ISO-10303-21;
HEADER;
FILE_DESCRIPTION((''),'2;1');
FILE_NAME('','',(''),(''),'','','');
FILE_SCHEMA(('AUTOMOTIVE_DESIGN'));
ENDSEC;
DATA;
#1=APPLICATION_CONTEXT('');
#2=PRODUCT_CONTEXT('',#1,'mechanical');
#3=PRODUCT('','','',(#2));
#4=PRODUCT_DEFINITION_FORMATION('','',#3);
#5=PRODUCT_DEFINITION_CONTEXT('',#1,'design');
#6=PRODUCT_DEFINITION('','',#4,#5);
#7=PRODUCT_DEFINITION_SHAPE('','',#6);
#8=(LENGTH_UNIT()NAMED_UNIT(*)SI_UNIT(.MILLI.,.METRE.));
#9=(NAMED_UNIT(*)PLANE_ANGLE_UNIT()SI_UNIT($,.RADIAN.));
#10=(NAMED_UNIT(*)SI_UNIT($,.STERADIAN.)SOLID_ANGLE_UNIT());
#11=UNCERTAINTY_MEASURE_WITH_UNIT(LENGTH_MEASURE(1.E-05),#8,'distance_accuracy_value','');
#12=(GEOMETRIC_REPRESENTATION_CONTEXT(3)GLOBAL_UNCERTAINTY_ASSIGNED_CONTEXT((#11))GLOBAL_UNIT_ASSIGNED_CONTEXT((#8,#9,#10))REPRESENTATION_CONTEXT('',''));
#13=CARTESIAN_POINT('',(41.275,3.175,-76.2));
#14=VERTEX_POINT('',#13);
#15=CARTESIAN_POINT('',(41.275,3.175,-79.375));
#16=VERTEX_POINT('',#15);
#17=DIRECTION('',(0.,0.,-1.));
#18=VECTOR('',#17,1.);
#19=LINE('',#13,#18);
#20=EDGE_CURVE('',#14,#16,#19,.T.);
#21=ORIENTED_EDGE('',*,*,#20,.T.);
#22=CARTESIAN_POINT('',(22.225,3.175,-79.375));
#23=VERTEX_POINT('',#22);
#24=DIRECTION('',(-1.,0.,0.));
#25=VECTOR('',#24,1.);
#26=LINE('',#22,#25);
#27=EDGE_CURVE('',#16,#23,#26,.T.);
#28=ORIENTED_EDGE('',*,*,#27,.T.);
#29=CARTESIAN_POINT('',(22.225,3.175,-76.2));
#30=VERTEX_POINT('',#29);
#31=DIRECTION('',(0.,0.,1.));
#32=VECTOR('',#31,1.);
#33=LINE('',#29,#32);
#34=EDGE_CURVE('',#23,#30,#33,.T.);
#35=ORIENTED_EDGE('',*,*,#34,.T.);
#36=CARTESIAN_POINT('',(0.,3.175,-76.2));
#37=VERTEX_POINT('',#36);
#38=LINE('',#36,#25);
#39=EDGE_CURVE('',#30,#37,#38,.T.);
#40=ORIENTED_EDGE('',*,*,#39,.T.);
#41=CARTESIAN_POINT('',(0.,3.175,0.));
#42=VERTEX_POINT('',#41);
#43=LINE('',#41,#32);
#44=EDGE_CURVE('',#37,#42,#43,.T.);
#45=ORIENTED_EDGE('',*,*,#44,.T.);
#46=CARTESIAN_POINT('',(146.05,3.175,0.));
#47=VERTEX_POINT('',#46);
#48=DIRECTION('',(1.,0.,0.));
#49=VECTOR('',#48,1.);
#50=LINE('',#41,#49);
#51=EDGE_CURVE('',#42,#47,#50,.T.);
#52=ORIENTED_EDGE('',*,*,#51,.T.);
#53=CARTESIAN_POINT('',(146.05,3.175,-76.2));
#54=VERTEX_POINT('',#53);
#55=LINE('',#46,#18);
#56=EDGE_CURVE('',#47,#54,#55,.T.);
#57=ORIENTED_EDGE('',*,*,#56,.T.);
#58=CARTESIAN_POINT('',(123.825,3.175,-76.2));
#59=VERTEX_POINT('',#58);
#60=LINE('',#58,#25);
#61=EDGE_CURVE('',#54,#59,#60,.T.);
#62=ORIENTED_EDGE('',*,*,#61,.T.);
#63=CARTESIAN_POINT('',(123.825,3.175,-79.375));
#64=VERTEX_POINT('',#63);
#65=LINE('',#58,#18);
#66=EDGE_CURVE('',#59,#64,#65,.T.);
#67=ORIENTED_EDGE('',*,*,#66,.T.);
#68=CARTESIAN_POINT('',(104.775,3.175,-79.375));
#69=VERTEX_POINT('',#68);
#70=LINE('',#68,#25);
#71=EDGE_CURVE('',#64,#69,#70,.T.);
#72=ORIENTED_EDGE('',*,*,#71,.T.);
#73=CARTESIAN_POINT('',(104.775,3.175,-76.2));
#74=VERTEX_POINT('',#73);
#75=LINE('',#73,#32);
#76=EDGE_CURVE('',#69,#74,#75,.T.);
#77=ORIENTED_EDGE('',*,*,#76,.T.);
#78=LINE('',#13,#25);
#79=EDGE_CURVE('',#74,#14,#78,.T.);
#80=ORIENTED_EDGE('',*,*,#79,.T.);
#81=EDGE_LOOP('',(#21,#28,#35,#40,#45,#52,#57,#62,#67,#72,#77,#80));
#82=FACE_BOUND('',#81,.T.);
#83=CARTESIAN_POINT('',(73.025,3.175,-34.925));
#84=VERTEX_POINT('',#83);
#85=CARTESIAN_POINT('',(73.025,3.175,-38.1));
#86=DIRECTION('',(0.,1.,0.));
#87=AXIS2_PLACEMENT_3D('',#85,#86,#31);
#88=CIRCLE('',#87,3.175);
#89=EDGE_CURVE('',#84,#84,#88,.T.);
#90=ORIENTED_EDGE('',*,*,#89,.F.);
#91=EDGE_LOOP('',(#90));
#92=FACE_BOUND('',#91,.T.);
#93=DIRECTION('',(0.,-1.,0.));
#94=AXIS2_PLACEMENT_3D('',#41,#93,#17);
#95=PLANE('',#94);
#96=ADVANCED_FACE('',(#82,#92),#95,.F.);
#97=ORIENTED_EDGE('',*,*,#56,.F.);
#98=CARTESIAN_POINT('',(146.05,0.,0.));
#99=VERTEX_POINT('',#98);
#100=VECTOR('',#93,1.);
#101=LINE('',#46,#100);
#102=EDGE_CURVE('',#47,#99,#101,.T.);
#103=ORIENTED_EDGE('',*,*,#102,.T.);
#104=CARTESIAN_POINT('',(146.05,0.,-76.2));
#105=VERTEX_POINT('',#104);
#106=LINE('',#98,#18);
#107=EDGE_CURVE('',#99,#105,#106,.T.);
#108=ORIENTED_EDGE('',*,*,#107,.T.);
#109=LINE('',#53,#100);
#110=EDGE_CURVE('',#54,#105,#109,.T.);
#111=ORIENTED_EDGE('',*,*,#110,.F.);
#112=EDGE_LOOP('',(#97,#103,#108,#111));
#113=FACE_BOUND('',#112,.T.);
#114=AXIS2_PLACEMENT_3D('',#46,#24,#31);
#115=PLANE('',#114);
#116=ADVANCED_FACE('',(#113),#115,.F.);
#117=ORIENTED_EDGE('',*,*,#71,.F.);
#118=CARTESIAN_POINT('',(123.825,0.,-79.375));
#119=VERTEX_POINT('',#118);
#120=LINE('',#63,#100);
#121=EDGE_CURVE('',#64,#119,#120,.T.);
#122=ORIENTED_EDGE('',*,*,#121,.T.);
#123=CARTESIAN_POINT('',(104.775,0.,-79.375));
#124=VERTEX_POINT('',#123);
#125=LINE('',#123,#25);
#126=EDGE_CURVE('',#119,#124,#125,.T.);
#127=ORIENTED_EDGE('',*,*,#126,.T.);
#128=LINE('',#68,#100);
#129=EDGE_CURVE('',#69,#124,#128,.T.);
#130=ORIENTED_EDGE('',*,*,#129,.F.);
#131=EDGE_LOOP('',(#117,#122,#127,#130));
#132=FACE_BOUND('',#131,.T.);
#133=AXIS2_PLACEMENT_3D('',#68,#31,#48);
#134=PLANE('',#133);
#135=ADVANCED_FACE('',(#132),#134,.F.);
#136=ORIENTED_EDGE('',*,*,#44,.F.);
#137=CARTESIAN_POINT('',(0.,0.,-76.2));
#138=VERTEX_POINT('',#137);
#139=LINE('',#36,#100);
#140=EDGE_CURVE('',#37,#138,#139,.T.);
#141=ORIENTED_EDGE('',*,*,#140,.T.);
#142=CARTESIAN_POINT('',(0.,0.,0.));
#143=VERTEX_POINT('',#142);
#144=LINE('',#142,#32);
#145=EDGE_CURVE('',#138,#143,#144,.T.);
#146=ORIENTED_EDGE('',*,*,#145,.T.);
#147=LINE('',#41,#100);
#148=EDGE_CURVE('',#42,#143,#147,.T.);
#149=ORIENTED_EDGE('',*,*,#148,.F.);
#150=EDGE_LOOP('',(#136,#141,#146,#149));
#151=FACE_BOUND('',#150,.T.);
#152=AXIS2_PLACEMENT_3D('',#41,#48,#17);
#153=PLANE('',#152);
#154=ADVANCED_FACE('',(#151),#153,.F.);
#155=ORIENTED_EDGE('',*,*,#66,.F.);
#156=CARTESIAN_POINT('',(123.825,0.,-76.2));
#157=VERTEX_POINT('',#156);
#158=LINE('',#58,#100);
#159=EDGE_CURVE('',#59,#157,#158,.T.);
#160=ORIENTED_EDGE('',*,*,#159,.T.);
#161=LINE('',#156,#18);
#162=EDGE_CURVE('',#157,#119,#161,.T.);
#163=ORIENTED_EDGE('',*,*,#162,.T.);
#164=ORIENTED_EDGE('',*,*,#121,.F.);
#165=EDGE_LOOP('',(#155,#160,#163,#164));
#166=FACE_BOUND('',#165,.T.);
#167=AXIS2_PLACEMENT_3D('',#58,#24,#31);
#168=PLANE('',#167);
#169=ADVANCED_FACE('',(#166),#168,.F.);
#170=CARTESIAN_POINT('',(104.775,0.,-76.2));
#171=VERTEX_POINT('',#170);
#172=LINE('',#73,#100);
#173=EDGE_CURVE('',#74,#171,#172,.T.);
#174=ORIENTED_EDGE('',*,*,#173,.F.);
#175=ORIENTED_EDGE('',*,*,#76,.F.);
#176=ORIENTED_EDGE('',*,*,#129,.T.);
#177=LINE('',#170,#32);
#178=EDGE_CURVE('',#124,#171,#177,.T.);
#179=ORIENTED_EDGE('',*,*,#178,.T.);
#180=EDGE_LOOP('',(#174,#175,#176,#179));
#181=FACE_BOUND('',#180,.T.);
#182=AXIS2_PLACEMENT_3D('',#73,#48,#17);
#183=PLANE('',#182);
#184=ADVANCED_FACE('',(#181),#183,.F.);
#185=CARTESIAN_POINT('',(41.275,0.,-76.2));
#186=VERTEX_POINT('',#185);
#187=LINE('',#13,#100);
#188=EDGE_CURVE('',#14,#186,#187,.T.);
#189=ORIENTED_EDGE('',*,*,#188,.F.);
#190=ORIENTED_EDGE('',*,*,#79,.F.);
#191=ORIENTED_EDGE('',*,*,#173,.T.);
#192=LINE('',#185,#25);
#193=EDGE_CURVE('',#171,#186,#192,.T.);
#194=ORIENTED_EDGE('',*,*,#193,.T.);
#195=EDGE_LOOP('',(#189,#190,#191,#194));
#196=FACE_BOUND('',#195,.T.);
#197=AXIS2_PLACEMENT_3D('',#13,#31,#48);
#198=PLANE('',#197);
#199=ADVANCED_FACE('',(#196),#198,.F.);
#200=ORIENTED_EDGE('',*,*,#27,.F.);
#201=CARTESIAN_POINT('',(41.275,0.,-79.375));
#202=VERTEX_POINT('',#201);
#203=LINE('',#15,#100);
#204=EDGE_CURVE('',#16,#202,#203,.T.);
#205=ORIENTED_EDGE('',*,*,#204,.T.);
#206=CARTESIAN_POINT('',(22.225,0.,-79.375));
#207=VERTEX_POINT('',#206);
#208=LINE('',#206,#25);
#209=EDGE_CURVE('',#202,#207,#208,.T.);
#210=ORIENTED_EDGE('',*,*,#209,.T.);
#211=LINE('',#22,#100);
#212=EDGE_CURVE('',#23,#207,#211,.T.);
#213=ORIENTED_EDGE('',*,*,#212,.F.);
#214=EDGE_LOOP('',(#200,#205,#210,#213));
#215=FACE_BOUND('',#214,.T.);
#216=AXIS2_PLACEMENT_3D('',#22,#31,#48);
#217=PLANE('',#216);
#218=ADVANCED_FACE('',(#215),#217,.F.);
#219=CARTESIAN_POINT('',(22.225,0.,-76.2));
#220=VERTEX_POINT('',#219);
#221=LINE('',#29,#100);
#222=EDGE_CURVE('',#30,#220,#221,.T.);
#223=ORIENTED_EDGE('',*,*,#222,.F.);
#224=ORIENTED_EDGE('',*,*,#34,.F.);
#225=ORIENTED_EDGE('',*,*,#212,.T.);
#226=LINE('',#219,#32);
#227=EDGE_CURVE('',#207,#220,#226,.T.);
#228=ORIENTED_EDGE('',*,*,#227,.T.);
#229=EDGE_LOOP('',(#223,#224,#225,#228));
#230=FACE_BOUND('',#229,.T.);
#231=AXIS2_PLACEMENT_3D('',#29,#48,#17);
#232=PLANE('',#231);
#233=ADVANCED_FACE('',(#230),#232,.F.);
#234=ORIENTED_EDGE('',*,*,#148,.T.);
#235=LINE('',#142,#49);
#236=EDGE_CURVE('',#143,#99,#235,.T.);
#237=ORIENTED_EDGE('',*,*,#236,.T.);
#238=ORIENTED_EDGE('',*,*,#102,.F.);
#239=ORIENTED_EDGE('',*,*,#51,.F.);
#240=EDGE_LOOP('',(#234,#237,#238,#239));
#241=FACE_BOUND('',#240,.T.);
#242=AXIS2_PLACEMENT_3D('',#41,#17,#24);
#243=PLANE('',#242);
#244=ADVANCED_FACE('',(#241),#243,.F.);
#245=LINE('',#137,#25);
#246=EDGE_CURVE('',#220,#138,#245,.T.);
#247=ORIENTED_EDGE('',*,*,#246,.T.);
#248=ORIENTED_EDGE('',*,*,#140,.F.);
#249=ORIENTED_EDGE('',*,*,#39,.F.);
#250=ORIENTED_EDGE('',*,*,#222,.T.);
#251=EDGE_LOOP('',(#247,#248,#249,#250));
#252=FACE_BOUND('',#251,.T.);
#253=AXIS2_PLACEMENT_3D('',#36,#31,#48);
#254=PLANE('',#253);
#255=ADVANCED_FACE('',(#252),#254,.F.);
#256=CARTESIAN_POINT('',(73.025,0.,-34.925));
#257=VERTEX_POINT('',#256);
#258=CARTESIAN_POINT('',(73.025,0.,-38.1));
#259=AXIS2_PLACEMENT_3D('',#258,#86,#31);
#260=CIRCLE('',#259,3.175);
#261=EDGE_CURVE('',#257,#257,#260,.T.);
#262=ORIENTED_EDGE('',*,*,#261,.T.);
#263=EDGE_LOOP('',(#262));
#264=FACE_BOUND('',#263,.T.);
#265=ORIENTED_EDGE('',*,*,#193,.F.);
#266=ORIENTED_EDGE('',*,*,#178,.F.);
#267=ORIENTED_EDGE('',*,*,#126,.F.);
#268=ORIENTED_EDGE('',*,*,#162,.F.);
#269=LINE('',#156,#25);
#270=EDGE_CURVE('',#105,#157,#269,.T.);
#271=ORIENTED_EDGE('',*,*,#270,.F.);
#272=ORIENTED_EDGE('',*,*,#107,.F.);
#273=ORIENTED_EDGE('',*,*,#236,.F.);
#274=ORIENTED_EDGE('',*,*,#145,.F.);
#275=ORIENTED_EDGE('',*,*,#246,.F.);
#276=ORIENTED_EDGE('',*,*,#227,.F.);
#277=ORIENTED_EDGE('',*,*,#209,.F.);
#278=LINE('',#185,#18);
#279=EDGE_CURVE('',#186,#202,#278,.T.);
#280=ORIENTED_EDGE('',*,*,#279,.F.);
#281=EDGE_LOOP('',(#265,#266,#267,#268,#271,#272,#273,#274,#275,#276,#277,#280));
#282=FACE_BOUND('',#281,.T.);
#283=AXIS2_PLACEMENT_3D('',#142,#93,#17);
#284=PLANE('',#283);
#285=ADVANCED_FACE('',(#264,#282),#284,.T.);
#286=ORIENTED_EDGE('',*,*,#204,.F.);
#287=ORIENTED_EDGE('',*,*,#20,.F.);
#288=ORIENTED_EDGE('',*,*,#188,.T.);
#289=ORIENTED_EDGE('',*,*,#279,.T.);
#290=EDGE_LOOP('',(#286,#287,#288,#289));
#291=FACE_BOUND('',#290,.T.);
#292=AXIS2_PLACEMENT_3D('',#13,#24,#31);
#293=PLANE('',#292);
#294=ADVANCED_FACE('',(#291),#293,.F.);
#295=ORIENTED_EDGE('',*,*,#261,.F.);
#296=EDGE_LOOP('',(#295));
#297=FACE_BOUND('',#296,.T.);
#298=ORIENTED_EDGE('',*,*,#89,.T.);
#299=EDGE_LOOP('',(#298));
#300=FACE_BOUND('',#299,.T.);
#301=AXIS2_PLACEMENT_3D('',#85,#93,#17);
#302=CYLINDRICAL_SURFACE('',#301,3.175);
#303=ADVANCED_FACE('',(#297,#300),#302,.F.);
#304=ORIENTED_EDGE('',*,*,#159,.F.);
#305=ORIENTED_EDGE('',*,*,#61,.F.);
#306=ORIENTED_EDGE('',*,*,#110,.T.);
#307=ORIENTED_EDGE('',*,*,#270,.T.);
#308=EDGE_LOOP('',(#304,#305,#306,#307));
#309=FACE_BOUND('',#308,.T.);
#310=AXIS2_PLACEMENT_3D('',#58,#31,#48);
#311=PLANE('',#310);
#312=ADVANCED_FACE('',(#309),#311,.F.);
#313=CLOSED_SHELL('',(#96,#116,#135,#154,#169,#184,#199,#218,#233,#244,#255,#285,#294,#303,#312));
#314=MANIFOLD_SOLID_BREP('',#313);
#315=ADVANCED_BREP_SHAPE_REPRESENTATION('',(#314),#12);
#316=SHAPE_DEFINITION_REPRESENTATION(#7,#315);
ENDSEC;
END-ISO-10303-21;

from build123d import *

# Parameters (mm, degrees)
SKETCH1_R           = 3.175
BOSS_EXTRUDE1_DEPTH = 3.175


with BuildPart() as part:
    # Sketch1 → Boss-Extrude1 (new body)
    with BuildSketch(Plane(origin=(0, 0, 0), x_dir=(1, 0, 0), z_dir=(0, 1, 0))):
        Polygon((41.275, 76.2), (104.775, 76.2), (104.775, 79.375), (123.825, 79.375), (123.825, 76.2), (146.05, 76.2), (146.05, 0), (0, 0), (0, 76.2), (22.225, 76.2), (22.225, 79.375), (41.275, 79.375), align=None)
        with Locations(Location((73.025, 38.1, 0), (0, 0, 270))):
            Circle(SKETCH1_R, mode=Mode.SUBTRACT)
    extrude(amount=BOSS_EXTRUDE1_DEPTH)


solid = part.part
